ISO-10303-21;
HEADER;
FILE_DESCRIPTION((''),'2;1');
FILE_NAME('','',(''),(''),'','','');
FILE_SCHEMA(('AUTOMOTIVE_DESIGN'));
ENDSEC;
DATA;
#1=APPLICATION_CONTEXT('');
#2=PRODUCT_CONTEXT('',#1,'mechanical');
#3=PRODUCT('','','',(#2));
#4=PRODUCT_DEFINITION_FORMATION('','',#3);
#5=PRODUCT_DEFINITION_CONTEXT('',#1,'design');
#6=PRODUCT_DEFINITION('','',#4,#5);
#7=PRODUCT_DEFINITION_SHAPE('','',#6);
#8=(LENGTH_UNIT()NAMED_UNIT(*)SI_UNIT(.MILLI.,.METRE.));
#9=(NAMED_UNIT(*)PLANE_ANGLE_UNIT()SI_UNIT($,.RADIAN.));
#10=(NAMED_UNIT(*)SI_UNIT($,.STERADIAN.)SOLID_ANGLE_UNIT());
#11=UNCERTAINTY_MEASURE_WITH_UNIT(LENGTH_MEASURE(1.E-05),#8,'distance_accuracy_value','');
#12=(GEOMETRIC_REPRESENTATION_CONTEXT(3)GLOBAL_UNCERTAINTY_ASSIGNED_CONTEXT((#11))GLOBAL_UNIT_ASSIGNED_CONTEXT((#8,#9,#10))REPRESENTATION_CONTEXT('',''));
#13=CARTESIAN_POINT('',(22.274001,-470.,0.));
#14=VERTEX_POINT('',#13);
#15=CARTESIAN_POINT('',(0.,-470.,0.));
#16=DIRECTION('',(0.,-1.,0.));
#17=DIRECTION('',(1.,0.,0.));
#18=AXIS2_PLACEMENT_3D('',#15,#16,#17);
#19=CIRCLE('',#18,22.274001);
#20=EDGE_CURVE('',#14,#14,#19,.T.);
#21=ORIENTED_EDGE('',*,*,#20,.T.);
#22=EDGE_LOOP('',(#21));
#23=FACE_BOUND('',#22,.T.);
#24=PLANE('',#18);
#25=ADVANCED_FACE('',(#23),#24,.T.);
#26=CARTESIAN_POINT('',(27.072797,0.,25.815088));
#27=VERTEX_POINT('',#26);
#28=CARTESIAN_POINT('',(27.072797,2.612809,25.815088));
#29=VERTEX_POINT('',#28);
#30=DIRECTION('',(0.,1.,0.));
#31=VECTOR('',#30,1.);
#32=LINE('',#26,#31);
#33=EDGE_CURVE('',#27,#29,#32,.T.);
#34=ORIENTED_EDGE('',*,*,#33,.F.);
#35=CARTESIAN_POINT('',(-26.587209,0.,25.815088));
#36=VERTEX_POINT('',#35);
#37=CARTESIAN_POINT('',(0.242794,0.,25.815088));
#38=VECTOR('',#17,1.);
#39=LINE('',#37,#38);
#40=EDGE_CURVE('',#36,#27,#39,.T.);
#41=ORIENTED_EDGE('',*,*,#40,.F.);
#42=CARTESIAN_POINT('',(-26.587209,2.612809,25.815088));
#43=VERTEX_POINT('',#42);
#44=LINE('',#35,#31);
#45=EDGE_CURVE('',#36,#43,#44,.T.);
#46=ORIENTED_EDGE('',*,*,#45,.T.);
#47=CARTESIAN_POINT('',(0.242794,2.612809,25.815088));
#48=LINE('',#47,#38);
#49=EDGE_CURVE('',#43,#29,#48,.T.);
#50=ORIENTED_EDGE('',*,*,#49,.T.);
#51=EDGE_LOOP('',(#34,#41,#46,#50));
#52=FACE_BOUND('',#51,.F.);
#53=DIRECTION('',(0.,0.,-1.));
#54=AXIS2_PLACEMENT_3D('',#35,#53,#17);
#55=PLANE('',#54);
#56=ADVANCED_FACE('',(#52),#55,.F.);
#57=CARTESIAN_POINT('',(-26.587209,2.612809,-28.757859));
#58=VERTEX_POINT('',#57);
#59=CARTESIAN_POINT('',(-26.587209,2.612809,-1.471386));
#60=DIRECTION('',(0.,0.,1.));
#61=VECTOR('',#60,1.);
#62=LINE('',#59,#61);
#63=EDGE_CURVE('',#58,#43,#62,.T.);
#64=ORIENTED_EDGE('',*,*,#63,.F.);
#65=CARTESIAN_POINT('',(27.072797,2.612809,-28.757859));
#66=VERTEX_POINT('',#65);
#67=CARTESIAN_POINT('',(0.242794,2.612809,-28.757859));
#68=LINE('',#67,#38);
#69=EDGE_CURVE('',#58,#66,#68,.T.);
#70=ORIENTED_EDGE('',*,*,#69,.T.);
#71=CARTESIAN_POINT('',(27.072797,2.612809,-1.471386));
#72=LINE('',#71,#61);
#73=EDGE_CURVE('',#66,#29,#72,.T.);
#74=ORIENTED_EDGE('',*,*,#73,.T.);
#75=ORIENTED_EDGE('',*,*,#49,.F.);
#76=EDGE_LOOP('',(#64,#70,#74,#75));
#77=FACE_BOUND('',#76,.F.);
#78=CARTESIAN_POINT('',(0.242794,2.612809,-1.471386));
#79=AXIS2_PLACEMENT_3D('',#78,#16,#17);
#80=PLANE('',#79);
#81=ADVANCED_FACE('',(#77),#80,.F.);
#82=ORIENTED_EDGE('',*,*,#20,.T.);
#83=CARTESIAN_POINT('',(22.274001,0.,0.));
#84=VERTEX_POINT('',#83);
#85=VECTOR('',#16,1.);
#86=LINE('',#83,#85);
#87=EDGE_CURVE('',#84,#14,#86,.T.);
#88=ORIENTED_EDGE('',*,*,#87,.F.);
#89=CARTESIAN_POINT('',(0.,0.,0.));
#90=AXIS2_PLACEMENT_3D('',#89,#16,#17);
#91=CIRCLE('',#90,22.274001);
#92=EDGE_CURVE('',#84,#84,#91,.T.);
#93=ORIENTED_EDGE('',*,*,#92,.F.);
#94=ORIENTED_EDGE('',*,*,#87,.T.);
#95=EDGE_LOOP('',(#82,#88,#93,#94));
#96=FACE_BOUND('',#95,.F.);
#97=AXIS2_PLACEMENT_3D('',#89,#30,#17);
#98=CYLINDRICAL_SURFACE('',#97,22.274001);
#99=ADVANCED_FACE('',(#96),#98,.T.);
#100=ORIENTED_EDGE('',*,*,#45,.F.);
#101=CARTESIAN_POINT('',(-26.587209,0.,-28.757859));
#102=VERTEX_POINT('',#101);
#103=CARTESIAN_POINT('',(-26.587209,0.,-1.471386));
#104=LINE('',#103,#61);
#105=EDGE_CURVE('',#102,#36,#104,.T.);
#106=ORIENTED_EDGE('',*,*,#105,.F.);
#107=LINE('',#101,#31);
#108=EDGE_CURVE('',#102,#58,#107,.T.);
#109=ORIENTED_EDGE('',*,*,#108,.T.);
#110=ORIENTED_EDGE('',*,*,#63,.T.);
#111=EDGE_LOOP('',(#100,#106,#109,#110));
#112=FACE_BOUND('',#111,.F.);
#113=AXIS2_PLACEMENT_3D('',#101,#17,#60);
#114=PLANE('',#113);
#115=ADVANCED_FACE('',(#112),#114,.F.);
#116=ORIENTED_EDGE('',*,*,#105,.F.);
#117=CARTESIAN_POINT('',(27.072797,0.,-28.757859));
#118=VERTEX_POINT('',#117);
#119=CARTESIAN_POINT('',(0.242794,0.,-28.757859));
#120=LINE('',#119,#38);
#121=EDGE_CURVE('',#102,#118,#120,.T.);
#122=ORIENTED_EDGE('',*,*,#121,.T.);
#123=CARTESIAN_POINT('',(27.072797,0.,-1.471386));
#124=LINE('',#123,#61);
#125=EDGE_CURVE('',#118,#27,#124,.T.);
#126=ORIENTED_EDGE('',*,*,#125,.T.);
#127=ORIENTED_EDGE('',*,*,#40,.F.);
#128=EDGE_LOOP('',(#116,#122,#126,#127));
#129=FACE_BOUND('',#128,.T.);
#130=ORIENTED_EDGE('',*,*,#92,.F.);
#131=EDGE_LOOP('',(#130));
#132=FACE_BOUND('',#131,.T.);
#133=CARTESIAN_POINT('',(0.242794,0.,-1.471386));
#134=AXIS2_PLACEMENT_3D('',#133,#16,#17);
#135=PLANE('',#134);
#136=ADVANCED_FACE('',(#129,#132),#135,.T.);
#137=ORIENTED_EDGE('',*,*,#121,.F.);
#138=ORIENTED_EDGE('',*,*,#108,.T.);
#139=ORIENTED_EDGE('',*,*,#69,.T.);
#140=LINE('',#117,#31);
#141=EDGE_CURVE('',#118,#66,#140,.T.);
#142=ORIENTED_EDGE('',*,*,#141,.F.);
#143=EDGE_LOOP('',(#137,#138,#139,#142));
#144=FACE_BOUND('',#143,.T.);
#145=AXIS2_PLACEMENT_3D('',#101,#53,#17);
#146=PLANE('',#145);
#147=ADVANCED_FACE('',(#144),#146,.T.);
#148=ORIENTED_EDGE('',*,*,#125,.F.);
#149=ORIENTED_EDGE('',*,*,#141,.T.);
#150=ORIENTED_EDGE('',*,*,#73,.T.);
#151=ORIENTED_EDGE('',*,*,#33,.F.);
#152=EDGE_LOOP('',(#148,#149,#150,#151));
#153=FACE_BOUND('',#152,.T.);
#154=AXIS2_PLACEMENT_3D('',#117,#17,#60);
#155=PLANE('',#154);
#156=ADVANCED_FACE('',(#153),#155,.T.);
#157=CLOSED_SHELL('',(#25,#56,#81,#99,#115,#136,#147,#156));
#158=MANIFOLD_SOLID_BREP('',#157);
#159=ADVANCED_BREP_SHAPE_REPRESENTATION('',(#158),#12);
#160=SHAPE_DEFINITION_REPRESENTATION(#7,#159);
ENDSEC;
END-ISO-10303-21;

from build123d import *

# Parameters (mm, degrees)
F0_R     = 22.274001
F1_DEPTH = 470
F2_W     = 53.660006
F2_H     = 54.572947
F3_DEPTH = 2.612809


with BuildPart() as f1:
    # F0 (on Front) → F1 (new body)
    with BuildSketch(Plane.XZ):
        Circle(F0_R)
    extrude(amount=F1_DEPTH)

    # F2 (on Front) → F3 (join)
    with BuildSketch(Plane.XZ):
        with Locations((0.242794, -1.471386)):
            Rectangle(F2_W, F2_H)
    extrude(amount=-F3_DEPTH)


solid = f1.part
